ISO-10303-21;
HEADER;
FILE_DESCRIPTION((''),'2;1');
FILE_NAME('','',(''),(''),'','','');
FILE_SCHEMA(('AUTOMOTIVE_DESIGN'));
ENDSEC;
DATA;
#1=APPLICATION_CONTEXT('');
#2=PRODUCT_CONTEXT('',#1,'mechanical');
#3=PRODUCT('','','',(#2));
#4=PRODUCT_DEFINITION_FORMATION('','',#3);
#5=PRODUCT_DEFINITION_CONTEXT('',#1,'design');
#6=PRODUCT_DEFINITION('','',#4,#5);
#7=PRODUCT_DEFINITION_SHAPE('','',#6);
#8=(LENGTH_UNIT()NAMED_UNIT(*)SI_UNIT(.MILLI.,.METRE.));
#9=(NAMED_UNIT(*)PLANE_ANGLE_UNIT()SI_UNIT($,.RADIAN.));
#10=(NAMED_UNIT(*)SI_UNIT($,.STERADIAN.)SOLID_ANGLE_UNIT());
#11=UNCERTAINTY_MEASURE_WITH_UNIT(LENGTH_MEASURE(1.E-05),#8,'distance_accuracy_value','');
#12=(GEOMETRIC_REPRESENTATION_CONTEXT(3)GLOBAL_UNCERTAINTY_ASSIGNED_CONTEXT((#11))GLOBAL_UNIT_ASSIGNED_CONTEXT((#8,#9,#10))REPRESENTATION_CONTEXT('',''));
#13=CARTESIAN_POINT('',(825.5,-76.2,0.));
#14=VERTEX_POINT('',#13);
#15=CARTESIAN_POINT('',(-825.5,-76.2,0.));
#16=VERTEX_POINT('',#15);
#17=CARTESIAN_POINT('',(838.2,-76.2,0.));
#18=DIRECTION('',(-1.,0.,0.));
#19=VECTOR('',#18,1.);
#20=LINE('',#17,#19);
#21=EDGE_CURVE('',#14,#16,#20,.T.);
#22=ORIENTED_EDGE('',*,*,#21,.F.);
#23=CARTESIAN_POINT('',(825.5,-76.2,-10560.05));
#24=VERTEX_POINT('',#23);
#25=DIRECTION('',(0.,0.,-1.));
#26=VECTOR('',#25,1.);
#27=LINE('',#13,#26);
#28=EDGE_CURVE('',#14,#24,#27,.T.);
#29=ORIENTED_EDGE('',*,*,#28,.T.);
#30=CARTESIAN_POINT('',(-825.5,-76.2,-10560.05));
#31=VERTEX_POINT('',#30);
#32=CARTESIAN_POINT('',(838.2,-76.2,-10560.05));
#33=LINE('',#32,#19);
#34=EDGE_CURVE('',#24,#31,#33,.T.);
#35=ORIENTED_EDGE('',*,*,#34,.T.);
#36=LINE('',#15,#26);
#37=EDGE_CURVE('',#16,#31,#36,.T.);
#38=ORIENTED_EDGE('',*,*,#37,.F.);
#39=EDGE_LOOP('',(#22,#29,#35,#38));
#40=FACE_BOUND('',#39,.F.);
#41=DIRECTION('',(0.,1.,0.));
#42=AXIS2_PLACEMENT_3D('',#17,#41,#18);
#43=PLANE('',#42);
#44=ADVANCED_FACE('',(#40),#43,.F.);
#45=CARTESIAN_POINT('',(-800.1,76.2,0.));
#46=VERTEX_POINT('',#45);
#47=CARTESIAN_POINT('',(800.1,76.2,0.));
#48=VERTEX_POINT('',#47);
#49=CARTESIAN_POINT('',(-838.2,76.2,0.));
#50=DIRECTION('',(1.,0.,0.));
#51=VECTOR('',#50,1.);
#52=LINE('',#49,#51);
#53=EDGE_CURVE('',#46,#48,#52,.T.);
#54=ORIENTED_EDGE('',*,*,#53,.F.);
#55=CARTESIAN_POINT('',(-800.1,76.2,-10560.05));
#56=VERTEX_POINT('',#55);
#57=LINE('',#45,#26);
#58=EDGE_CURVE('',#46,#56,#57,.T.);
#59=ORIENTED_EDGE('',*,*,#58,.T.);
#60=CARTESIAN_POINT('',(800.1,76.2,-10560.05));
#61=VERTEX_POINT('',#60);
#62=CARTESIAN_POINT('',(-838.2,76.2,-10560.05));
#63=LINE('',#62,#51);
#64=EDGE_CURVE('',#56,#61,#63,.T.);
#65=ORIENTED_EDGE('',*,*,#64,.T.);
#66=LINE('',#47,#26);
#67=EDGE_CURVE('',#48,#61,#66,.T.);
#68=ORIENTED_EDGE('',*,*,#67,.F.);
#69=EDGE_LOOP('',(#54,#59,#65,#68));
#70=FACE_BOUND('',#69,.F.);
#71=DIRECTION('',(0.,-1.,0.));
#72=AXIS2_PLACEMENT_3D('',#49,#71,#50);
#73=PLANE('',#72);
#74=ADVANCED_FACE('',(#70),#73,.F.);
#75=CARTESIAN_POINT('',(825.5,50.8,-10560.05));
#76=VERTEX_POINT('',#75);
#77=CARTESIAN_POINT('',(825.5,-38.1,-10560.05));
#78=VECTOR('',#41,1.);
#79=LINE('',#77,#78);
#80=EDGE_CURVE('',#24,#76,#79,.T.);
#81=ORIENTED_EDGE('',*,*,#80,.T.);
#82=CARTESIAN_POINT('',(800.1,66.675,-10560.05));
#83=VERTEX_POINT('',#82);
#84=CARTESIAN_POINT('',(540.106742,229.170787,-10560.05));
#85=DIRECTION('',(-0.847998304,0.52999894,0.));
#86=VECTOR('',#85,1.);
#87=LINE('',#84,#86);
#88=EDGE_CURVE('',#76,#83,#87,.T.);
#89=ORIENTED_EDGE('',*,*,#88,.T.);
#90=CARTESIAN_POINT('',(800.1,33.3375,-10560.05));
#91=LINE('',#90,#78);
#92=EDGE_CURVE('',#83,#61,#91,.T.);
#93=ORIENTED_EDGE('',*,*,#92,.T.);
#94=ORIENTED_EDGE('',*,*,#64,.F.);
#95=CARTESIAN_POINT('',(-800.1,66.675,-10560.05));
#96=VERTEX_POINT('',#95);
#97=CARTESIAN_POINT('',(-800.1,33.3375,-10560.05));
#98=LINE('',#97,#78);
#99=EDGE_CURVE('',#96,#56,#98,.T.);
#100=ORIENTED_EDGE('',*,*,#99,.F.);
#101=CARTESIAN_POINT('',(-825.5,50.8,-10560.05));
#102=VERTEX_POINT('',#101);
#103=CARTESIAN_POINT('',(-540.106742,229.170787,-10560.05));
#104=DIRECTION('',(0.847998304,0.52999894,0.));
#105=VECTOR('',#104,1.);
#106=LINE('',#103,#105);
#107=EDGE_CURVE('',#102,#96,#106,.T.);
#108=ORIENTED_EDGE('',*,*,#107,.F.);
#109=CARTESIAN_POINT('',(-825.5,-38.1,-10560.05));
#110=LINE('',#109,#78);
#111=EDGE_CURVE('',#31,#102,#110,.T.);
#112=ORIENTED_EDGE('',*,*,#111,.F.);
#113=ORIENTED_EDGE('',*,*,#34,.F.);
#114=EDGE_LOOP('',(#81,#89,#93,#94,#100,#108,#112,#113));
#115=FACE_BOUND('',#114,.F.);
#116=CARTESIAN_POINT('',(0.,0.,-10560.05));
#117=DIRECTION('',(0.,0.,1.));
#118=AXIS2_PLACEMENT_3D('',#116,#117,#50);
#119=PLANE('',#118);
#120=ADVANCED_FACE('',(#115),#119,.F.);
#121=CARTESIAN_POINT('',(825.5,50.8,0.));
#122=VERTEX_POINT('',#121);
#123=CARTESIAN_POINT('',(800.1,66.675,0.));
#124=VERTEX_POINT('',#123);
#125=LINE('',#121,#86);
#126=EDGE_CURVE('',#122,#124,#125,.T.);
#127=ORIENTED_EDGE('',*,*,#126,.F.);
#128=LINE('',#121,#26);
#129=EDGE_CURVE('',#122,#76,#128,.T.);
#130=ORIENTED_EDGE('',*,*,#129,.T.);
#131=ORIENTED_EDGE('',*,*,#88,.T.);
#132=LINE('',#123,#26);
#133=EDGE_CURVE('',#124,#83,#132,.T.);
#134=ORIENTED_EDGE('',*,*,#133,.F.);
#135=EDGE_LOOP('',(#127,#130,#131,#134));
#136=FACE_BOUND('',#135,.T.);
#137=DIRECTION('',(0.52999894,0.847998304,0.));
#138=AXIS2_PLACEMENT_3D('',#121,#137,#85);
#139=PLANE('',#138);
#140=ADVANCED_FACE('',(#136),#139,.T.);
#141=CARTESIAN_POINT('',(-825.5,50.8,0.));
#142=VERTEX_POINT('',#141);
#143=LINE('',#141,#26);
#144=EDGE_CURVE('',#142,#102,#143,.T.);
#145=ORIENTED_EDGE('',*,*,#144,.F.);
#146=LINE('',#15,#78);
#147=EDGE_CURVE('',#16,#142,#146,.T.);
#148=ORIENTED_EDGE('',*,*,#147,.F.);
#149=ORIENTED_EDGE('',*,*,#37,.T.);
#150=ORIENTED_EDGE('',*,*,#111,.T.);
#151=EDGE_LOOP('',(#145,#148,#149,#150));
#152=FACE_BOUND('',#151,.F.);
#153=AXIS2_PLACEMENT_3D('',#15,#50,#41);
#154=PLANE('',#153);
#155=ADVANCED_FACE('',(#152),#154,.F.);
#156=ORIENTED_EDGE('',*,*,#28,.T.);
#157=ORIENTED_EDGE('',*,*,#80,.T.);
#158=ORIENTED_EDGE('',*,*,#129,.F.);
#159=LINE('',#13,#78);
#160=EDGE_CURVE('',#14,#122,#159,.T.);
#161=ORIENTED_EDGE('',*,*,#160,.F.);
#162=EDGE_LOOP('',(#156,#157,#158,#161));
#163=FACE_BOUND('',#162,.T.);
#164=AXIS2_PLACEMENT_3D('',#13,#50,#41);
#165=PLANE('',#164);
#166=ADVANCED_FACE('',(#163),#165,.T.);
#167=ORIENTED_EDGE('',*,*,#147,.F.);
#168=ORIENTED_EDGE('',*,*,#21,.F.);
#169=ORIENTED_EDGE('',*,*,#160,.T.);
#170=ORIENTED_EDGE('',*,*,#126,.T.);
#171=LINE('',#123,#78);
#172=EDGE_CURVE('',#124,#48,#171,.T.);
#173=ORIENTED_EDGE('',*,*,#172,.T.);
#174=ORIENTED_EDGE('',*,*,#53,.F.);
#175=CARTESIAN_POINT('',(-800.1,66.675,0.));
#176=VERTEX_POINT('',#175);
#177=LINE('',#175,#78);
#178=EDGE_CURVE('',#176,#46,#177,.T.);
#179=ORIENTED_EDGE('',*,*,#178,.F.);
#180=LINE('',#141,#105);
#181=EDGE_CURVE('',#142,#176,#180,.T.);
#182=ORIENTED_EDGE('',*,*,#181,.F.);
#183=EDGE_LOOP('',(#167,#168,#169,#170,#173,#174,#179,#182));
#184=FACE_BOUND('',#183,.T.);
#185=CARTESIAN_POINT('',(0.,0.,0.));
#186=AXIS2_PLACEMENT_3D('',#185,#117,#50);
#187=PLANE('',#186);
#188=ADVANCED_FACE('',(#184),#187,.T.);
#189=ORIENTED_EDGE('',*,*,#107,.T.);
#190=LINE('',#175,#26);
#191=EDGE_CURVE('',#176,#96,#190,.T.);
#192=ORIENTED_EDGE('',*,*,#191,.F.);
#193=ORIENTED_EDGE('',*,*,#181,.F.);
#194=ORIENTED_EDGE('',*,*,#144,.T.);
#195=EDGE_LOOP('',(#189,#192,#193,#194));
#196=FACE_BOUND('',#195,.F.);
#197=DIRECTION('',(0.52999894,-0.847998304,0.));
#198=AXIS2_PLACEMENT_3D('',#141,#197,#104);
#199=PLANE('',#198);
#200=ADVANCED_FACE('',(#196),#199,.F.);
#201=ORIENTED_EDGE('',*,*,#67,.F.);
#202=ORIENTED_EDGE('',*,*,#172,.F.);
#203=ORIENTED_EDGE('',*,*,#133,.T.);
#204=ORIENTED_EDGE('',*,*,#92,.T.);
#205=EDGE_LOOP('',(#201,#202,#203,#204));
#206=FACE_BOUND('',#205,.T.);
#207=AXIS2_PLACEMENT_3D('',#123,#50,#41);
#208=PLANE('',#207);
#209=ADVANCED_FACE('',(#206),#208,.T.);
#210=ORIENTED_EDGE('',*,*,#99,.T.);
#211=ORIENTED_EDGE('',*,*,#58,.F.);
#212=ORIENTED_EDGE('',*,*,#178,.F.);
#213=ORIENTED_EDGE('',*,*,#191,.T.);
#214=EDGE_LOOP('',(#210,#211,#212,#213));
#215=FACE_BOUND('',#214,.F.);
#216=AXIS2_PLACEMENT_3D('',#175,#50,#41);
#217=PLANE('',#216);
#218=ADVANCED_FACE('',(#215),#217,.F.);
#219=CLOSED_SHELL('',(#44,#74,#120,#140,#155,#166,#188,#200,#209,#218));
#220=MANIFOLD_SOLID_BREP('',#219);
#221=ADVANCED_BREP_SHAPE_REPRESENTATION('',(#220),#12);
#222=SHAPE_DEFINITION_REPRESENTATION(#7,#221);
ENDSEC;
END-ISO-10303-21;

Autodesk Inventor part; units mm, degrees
ref_plane "YZ Plane" through (0, 0, 0) normal (1, 0, 0) x (0, 1, 0)
ref_plane "XZ Plane" through (0, 0, 0) normal (0, 1, 0) x (-1, 0, 0)
ref_plane "XY Plane" through (0, 0, 0) normal (0, 0, 1) x (1, 0, 0)
sketch "Sketch1" plane through (0, 0, 0) normal (0, 0, 1) x (1, 0, 0)
  line L0 (838.2, -76.2) -> (-838.2, -76.2)
  line L1 (-838.2, -76.2) -> (-838.2, 76.2)
  line L2 (-838.2, 76.2) -> (838.2, 76.2)
  line L3 (838.2, 76.2) -> (838.2, -76.2)
  line L4 (838.2, -76.2) -> (-838.2, 76.2) construction
  line L5 (-838.2, -76.2) -> (838.2, 76.2) construction
  point P0 (0, 0)
  dimension "d0" = 152.4
  dimension "d1" = 1676.4
extrude "Extrusion1" add sketch "Sketch1" against normal blind 10560.05
sketch "Sketch2" plane through (0, 0, 0) normal (0, 0, 1) x (1, 0, 0)
  line L0 (838.2, -76.2) -> (-838.2, -76.2) projected
  line L1 (825.5, -76.2) -> (825.5, 50.8)
  line L2 (825.5, 50.8) -> (800.1, 66.675)
  line L3 (800.1, 66.675) -> (800.1, 76.2)
  line L4 (-838.2, 76.2) -> (838.2, 76.2) projected
  line L5 (800.1, 76.2) -> (838.2, 76.2)
  line L6 (838.2, 76.2) -> (838.2, -76.2)
  line L7 (825.5, -76.2) -> (838.2, -76.2)
  line L8 (0, 76.2) -> (0, -76.2) construction
  line L9 (-838.2, -76.2) -> (838.2, -76.2)
  line L10 (-825.5, -76.2) -> (-825.5, 50.8)
  line L11 (-825.5, 50.8) -> (-800.1, 66.675)
  line L12 (-800.1, 66.675) -> (-800.1, 76.2)
  line L13 (838.2, 76.2) -> (-838.2, 76.2)
  line L14 (-800.1, 76.2) -> (-838.2, 76.2)
  line L15 (-838.2, 76.2) -> (-838.2, -76.2)
  line L16 (-825.5, -76.2) -> (-838.2, -76.2)
  point P0 (0, 0)
  dimension "d4" = 12.7
  dimension "d5" = 25.4
  dimension "d6" = 15.875
  dimension "d7" = 127
extrude "Extrusion2" cut sketch "Sketch2" against normal through all contours L0 L1 L2 L3 L4 L6 | L0 L15 L4 L12 L11 L10
properties part number "Concrete Walkway" material "Concrete"
